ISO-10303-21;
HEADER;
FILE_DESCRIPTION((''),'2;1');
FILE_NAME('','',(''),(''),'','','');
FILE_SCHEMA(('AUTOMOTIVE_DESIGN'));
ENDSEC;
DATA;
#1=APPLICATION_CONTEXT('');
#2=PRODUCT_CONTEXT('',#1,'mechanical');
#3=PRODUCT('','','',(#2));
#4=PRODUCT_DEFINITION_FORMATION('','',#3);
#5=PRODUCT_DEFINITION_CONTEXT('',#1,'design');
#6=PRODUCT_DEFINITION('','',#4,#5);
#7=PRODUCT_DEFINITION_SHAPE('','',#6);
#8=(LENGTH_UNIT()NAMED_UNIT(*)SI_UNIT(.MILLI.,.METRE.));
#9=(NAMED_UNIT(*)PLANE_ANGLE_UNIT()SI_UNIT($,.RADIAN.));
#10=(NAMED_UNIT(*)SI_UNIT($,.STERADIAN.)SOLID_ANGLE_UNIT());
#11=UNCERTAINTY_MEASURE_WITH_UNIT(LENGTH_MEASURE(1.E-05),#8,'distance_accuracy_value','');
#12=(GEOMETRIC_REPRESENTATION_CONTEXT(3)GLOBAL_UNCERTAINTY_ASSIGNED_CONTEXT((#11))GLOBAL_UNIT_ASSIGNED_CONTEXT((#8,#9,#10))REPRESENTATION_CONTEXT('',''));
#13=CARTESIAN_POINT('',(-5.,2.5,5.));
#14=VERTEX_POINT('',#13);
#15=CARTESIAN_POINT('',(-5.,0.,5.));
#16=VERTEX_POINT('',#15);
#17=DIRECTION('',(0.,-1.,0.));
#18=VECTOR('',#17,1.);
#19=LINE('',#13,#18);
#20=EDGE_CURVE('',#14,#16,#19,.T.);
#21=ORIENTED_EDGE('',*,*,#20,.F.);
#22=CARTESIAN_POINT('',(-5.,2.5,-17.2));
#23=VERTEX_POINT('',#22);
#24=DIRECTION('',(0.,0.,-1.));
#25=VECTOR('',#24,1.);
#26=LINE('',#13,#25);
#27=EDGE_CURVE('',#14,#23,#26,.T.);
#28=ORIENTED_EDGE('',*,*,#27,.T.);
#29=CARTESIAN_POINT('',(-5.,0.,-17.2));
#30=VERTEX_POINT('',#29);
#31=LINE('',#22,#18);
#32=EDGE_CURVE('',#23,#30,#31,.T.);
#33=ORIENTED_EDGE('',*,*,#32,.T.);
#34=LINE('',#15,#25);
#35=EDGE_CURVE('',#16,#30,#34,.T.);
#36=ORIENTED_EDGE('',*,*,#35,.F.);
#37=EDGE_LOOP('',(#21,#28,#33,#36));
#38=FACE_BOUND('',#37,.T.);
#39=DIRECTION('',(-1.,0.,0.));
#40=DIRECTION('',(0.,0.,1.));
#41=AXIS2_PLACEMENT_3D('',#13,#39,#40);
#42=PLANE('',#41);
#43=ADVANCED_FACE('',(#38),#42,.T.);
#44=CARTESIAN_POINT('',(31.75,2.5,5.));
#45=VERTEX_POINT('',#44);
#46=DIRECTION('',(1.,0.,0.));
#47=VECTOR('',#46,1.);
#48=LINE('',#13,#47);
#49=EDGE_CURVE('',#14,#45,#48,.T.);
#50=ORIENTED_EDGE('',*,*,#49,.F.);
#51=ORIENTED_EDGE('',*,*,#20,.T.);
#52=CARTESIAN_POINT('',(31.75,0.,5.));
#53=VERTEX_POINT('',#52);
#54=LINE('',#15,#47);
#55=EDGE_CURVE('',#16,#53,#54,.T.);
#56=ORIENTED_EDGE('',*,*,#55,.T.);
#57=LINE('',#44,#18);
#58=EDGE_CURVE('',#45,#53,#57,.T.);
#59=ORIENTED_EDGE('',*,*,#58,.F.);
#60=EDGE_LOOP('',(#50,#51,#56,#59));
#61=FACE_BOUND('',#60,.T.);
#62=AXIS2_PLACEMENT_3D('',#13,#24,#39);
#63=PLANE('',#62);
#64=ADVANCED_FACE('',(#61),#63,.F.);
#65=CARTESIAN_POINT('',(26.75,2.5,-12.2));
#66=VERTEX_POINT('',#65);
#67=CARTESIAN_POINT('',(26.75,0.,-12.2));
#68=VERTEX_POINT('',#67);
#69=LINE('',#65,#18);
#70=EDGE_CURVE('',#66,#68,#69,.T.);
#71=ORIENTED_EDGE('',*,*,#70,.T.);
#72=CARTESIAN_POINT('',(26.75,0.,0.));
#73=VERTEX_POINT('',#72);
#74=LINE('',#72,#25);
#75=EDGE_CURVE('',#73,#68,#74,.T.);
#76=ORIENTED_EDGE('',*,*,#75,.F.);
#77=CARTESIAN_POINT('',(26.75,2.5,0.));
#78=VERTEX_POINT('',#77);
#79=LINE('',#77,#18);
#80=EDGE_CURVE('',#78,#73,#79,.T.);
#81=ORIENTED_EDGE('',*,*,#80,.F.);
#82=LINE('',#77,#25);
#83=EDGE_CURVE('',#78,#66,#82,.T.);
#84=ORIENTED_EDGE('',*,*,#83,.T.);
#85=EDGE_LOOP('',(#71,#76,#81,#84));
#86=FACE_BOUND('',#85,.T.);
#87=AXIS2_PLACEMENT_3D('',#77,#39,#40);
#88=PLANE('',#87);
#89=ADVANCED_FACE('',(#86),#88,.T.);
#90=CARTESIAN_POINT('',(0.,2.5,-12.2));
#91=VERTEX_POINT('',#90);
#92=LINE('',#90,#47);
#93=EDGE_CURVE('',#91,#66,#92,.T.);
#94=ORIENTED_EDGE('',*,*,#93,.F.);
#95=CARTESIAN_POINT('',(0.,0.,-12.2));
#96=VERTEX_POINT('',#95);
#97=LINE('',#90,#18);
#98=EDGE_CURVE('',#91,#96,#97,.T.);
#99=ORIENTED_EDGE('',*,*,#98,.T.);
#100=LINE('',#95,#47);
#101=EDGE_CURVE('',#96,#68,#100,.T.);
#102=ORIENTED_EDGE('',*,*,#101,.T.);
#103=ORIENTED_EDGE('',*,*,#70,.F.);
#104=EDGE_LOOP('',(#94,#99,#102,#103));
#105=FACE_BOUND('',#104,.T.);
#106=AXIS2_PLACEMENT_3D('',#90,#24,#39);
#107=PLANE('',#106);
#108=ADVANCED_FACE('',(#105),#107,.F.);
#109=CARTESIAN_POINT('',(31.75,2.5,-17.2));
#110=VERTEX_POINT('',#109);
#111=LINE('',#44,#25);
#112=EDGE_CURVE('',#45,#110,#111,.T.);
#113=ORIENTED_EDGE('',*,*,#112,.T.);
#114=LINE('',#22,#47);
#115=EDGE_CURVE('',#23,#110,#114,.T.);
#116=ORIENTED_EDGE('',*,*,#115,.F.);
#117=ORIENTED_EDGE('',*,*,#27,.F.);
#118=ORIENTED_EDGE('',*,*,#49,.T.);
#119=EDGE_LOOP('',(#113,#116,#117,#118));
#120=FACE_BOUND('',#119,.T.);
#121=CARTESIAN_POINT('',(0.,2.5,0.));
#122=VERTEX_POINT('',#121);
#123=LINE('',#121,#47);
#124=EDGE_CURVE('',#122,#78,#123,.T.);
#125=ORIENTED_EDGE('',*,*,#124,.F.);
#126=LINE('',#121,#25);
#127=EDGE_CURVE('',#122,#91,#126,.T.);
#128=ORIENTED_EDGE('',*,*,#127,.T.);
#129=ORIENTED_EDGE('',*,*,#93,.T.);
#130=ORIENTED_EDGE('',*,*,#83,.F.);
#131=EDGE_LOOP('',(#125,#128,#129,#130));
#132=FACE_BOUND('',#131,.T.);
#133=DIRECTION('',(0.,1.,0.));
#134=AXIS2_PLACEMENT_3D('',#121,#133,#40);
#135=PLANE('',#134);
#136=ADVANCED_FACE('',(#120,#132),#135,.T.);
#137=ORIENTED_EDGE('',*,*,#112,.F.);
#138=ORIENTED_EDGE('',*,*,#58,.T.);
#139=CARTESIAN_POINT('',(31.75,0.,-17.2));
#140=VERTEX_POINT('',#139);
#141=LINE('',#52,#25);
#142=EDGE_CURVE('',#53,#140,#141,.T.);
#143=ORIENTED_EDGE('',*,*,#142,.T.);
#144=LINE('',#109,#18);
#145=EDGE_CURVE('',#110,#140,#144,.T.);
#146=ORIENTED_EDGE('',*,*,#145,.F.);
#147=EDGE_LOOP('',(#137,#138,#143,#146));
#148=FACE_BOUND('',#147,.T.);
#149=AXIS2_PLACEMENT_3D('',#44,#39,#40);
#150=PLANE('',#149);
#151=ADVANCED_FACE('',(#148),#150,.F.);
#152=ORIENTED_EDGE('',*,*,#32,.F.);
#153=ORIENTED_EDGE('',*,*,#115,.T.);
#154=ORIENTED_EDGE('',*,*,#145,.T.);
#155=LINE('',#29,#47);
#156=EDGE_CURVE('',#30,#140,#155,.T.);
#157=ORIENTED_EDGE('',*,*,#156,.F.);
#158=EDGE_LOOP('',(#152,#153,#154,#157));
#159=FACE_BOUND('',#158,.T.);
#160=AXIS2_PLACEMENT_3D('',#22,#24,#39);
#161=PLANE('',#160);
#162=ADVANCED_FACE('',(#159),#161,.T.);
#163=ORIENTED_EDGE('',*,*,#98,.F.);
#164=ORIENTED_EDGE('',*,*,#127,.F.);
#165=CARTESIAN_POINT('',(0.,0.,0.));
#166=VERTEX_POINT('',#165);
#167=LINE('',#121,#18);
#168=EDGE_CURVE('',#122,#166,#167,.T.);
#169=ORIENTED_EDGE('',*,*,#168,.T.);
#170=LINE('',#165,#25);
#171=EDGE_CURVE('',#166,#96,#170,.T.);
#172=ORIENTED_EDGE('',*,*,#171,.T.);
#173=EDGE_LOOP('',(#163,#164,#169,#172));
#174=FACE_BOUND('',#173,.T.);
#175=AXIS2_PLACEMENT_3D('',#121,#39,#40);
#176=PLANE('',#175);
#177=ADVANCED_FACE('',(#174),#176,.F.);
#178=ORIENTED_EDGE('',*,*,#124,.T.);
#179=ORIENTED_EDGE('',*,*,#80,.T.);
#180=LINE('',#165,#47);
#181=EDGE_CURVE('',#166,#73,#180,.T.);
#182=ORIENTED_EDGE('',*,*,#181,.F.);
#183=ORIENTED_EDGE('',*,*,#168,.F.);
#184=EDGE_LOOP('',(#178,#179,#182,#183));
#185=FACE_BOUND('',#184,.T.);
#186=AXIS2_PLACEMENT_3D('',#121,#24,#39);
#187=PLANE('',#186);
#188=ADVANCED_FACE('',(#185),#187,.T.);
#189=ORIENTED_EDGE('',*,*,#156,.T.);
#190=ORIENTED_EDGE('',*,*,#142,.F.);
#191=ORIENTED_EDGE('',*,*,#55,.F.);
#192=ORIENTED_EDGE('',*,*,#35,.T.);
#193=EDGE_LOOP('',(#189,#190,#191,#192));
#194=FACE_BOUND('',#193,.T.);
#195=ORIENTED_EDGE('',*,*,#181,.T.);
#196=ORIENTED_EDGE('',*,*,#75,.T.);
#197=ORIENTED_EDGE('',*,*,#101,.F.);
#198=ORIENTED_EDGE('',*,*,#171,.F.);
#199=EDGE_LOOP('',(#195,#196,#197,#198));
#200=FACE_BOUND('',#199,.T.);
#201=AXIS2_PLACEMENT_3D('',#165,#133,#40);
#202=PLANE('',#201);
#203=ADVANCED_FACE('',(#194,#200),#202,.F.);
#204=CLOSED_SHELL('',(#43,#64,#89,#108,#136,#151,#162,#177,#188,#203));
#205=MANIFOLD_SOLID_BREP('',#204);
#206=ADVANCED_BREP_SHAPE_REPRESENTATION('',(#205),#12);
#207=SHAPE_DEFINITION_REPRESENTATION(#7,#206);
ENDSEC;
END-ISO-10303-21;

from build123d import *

# Parameters (mm, degrees)
SKETCH1_W           = 36.75
SKETCH1_H           = 22.2
SKETCH1_W_2         = 26.75
SKETCH1_H_2         = 12.2
BOSS_EXTRUDE1_DEPTH = 2.5


with BuildPart() as part:
    # Sketch1 → Boss-Extrude1 (new body)
    with BuildSketch(Plane(origin=(0, 0, 0), x_dir=(1, 0, 0), z_dir=(0, 1, 0))):
        with Locations((13.375, 6.1)):
            Rectangle(SKETCH1_W, SKETCH1_H)
        with Locations((13.375, 6.1)):
            Rectangle(SKETCH1_W_2, SKETCH1_H_2, mode=Mode.SUBTRACT)
    extrude(amount=BOSS_EXTRUDE1_DEPTH)


solid = part.part
